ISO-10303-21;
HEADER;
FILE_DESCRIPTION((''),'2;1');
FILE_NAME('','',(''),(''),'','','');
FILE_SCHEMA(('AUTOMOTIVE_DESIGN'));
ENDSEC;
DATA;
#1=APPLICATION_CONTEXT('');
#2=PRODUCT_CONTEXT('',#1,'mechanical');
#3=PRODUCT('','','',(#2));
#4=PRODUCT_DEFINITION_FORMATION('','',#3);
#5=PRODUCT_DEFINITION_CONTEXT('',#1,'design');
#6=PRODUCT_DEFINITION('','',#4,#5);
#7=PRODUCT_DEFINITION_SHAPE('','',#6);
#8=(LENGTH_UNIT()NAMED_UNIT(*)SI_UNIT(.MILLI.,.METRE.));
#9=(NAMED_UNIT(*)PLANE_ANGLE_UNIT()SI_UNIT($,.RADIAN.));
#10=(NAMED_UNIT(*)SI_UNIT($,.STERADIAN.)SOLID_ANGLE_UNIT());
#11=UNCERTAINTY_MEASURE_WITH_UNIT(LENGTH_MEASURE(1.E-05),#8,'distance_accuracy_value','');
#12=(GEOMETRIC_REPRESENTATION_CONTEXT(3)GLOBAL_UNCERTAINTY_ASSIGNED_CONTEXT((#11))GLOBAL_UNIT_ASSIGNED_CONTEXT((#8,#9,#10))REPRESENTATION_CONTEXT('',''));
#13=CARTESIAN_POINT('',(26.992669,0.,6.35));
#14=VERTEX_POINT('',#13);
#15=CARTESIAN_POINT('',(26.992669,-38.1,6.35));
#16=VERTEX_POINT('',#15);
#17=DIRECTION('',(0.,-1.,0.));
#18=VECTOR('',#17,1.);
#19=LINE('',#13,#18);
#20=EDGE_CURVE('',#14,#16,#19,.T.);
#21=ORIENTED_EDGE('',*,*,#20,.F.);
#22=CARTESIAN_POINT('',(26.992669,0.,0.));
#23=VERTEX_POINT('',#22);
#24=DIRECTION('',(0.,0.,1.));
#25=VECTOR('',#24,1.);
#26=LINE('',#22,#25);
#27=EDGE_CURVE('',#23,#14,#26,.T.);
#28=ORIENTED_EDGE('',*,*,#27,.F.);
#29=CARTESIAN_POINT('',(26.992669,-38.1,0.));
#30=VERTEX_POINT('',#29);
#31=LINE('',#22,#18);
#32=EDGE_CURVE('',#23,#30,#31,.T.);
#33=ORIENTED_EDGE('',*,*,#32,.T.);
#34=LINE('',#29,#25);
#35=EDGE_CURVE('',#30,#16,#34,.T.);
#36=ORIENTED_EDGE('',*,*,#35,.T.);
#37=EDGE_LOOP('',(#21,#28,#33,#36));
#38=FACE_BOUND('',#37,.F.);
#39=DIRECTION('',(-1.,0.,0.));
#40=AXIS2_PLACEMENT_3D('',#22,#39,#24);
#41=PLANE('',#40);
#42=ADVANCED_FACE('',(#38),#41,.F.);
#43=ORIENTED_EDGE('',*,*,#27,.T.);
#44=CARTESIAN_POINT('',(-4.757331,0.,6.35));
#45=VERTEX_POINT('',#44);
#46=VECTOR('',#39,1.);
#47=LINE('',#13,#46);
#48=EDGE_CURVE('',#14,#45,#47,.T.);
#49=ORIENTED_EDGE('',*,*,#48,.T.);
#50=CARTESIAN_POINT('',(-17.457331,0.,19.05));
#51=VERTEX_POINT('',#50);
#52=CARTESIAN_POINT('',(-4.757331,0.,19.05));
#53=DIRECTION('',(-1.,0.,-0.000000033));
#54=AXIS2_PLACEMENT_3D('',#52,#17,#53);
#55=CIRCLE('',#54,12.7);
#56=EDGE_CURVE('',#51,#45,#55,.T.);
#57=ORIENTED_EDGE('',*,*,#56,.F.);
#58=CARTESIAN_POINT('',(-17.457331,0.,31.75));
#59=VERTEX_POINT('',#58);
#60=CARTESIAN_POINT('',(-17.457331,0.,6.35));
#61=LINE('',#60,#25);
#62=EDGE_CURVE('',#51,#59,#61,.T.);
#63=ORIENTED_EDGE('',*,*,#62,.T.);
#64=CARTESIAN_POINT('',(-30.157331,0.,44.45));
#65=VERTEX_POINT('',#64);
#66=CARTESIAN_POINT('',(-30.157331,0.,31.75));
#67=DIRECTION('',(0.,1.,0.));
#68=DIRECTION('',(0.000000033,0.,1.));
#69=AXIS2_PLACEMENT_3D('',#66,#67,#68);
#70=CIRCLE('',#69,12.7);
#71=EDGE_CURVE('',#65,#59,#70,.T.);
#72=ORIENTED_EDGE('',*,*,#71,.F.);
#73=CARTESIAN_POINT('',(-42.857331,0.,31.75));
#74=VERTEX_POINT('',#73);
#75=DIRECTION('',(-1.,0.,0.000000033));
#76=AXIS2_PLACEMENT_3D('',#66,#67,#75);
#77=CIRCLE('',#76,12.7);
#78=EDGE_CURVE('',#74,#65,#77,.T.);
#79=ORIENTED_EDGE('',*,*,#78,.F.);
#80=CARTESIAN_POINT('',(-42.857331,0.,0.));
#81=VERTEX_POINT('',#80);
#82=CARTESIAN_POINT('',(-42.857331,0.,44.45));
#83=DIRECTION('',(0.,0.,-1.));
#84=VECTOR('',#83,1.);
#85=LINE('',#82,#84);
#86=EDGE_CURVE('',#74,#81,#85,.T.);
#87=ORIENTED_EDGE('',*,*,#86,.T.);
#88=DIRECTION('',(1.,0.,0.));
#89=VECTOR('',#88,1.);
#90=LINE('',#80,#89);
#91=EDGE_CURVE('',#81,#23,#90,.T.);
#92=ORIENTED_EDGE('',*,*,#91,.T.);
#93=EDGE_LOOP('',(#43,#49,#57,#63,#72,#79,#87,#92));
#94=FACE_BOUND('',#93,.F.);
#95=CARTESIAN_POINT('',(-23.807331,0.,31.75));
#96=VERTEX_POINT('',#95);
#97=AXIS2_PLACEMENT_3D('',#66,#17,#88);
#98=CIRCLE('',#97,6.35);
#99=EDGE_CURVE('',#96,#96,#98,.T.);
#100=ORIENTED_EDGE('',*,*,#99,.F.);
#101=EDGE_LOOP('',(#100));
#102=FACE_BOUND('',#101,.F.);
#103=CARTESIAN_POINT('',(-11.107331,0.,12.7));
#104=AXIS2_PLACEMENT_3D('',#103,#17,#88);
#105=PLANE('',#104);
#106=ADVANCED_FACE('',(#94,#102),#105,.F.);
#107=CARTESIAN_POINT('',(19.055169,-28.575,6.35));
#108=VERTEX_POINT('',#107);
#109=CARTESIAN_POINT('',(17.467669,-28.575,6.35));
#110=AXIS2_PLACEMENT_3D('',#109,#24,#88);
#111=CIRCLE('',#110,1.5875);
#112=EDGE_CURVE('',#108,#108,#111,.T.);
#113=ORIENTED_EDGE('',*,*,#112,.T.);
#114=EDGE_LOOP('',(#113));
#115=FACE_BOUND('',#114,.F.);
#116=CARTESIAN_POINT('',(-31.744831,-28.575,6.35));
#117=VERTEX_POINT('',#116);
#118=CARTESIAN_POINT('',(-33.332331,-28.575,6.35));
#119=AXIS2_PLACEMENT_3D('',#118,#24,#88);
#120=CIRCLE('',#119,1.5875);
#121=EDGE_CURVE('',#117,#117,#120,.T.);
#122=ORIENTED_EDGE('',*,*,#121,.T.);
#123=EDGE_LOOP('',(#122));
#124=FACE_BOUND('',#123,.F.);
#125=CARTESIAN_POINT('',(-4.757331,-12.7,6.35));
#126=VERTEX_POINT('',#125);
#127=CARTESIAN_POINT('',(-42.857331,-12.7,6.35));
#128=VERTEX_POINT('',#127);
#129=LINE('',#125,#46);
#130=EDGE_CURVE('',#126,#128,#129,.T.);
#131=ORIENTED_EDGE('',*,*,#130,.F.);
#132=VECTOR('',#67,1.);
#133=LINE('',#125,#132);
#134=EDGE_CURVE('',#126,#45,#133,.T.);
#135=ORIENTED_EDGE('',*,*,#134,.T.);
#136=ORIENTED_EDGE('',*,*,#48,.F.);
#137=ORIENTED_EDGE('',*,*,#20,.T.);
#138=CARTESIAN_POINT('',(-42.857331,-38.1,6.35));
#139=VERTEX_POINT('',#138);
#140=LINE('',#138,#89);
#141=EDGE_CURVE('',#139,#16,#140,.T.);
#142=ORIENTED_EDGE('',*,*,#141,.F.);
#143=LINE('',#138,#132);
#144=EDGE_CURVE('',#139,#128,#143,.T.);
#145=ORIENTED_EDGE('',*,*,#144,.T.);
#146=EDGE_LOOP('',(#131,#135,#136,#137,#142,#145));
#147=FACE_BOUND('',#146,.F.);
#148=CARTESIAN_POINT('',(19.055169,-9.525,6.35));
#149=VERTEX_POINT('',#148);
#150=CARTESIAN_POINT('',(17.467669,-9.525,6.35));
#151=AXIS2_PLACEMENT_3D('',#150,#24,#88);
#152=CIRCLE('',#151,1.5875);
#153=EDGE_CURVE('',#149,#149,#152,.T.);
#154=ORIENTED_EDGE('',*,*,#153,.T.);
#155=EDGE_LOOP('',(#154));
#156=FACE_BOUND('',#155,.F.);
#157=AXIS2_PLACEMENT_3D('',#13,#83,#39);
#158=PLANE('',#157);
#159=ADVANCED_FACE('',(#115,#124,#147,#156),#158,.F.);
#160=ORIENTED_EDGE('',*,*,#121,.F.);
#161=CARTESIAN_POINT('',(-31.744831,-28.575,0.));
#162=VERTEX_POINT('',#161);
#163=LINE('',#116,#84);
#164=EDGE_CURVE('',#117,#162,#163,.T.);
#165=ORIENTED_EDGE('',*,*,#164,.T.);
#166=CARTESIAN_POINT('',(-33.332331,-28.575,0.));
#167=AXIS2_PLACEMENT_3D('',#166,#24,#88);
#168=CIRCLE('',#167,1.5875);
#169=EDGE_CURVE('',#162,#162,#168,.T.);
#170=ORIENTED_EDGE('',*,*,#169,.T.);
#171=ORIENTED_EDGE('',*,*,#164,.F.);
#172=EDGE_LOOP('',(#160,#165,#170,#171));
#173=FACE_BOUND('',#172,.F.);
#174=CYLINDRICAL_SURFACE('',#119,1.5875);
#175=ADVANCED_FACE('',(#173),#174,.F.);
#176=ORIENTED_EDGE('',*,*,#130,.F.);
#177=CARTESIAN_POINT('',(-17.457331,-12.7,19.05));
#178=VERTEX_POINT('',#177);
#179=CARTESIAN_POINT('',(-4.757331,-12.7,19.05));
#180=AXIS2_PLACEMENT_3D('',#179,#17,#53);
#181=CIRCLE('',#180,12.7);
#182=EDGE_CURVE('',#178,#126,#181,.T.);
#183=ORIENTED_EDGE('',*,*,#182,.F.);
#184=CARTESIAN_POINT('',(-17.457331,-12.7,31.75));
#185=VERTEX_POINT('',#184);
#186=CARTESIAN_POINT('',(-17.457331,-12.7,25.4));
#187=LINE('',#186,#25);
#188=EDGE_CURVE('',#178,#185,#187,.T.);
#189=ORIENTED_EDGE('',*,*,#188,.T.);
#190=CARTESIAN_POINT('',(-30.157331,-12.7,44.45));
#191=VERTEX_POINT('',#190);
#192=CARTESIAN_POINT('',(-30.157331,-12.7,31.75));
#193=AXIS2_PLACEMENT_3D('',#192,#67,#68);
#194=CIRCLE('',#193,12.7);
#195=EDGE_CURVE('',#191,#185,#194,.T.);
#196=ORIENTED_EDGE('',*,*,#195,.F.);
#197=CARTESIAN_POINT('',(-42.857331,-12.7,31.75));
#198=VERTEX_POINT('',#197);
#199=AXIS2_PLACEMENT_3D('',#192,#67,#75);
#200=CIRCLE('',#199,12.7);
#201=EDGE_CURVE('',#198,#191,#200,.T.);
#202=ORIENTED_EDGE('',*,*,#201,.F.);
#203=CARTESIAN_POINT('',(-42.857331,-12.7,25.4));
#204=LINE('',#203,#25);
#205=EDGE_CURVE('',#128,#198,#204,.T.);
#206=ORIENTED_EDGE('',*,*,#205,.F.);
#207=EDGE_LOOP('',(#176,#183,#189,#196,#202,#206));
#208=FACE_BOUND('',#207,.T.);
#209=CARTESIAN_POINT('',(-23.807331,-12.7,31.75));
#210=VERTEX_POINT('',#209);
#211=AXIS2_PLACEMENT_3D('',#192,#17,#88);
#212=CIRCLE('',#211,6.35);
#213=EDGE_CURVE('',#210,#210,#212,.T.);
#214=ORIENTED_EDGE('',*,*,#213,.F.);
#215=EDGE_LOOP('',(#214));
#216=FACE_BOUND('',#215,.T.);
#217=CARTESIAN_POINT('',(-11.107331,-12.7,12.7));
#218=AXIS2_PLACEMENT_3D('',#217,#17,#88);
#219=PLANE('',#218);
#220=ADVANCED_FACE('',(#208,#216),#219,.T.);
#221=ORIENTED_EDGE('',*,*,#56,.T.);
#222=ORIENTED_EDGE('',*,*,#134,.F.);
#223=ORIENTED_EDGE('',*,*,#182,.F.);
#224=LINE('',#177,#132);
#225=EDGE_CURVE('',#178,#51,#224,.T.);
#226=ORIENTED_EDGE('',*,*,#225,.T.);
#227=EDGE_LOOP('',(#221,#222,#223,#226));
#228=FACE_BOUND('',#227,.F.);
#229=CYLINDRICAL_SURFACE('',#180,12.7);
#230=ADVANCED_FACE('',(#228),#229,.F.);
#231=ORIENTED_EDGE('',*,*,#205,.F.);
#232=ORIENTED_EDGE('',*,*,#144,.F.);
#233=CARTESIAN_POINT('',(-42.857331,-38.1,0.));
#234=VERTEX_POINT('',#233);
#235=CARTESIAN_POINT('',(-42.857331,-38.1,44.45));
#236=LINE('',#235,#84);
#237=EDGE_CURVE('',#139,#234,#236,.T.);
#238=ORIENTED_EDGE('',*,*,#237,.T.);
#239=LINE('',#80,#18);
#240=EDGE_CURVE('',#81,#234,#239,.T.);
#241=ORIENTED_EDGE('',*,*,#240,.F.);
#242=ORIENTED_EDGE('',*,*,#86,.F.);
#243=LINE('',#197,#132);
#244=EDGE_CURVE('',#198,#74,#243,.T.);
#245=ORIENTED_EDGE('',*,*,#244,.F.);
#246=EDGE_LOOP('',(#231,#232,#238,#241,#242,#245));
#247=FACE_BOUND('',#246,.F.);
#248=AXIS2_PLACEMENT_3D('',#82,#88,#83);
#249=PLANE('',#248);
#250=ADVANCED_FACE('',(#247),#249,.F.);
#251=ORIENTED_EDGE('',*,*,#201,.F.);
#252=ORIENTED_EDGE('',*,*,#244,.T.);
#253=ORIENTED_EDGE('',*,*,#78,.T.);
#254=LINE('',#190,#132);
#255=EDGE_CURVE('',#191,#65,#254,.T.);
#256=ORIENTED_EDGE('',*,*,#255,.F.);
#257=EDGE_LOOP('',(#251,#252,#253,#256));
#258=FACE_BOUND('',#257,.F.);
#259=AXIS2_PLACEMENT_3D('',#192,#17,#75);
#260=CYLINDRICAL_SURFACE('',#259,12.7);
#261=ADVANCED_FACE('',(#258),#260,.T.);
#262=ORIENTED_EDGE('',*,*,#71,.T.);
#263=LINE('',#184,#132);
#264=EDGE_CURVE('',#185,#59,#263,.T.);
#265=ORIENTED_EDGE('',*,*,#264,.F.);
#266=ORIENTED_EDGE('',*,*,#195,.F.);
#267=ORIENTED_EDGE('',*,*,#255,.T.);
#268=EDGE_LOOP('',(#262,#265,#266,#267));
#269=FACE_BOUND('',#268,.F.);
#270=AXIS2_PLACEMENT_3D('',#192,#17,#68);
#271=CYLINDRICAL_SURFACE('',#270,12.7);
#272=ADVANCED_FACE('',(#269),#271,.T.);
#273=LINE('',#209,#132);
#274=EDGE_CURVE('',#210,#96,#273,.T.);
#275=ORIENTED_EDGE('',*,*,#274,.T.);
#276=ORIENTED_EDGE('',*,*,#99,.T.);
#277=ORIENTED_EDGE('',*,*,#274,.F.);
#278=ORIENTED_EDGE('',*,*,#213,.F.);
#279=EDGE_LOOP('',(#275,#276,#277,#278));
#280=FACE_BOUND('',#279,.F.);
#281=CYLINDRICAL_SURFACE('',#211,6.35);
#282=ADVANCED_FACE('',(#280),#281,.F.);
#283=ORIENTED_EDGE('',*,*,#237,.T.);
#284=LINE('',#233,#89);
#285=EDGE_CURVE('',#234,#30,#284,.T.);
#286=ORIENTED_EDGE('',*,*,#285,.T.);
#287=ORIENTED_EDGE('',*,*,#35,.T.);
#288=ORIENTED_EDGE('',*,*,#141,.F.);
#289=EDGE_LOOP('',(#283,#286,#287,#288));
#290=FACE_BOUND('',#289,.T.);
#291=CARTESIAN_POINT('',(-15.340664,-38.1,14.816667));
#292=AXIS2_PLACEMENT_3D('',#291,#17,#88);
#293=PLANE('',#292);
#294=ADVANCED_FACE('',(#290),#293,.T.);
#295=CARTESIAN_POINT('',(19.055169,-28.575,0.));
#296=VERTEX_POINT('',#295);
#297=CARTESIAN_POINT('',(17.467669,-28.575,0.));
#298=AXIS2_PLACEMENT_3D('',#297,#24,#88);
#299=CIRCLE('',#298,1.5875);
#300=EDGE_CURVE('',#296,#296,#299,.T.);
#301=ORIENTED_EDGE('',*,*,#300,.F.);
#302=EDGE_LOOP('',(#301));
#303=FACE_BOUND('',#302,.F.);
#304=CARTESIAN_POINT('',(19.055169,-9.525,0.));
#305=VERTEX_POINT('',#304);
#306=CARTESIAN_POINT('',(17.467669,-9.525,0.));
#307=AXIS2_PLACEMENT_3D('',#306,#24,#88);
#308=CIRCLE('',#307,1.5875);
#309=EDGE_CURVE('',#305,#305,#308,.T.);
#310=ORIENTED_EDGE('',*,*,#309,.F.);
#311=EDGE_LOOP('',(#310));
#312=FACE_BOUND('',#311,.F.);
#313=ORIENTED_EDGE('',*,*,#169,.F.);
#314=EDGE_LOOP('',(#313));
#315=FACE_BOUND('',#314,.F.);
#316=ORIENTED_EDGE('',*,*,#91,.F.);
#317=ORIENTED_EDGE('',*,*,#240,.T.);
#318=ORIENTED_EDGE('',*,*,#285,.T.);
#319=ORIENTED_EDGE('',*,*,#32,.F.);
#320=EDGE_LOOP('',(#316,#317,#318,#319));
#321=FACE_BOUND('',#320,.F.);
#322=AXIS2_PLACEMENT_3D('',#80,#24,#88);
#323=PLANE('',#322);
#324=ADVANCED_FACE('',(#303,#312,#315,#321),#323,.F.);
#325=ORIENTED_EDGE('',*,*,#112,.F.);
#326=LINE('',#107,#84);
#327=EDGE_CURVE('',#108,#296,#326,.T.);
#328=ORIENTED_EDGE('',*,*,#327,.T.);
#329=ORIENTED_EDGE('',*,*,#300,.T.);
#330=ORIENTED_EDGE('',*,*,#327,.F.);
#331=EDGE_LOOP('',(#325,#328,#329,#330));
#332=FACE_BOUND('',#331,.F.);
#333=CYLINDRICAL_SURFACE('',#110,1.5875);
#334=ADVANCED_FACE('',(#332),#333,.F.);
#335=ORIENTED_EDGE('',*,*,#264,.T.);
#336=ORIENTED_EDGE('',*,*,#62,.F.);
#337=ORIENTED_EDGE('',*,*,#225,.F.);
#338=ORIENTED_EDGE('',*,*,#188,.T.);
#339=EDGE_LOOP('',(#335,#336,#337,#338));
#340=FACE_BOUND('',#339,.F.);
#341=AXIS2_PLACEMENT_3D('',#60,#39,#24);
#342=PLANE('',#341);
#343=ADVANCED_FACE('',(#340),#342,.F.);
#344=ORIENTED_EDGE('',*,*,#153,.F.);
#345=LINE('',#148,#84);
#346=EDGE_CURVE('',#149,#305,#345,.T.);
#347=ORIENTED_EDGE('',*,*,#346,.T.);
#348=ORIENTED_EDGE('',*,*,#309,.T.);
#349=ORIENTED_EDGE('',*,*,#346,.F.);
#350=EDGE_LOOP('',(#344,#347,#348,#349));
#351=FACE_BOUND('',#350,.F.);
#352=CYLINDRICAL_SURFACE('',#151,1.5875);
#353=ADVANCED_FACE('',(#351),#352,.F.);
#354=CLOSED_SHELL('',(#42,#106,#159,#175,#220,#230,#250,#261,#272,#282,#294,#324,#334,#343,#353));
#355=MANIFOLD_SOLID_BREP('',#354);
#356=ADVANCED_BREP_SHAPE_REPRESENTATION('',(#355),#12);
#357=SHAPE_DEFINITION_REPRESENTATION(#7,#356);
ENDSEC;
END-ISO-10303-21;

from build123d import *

# Parameters (mm, degrees)
F1_DEPTH  = 38.1
F2_W      = 25.4
F2_H      = 38.1
F3_DEPTH  = 25.4
F4_R      = 6.35
F5_DEPTH  = 12.7
F7_DEPTH  = 12.7
F8_W      = 12.7
F8_H      = 12.7
F9_DEPTH  = 12.7
F11_DEPTH = 12.7
F12_R     = 1.5875
F13_DEPTH = 6.35


with BuildPart() as f1:
    # F0 (on Front) → F1 (new body)
    with BuildSketch(Plane.XZ):
        Polygon((-17.457331, 44.45), (-42.857331, 44.45), (-42.857331, 0), (26.992669, 0), (26.992669, 6.35), (-17.457331, 6.35), align=None)
    extrude(amount=F1_DEPTH)

    # F2 (on face) → F3 (cut)
    with BuildSketch(Plane.XZ.offset(38.1)):
        with Locations((-30.157331, 25.4)):
            Rectangle(F2_W, F2_H)
    extrude(amount=-F3_DEPTH, mode=Mode.SUBTRACT)

    # F4 (on face) → F5 (cut)
    with BuildSketch(Plane.XZ.offset(12.7)):
        with Locations((-30.157331, 31.75)):
            Circle(F4_R)
    extrude(amount=-F5_DEPTH, mode=Mode.SUBTRACT)

    # F6 (on face) → F7 (cut)
    with BuildSketch(Plane.XZ.offset(12.7)):
        with BuildLine():
            ThreePointArc((-42.857331, 31.75), (-39.137587, 40.730256), (-30.157331, 44.45))
            Line((-30.157331, 44.45), (-42.857331, 44.45))
            Line((-42.857331, 44.45), (-42.857331, 31.75))
        make_face()
        with BuildLine():
            Line((-17.457331, 44.45), (-30.157331, 44.45))
            ThreePointArc((-30.157331, 44.45), (-21.177075, 40.730256), (-17.457331, 31.75))
            Line((-17.457331, 31.75), (-17.457331, 44.45))
        make_face()
    extrude(amount=-F7_DEPTH, mode=Mode.SUBTRACT)

    # F8 (on face) → F9 (join)
    with BuildSketch(Plane.XZ.offset(12.7)):
        with Locations((-11.107331, 12.7)):
            Rectangle(F8_W, F8_H)
    extrude(amount=-F9_DEPTH)

    # F10 (on face) → F11 (cut)
    with BuildSketch(Plane.XZ.offset(12.7)):
        with BuildLine():
            Line((-4.757331, 19.05), (-17.457331, 19.05))
            ThreePointArc((-17.457331, 19.05), (-13.737587, 10.069744), (-4.757331, 6.35))
            Line((-4.757331, 6.35), (-4.757331, 19.05))
        make_face()
    extrude(amount=-F11_DEPTH, mode=Mode.SUBTRACT)

    # F12 (on face) → F13 (cut)
    with BuildSketch(Plane.XY.offset(6.35)):
        with Locations((-33.332331, -28.575)):
            Circle(F12_R)
        with Locations((17.467669, -28.575)):
            Circle(F12_R)
        with Locations((17.467669, -9.525)):
            Circle(F12_R)
    extrude(amount=-F13_DEPTH, mode=Mode.SUBTRACT)


solid = f1.part
